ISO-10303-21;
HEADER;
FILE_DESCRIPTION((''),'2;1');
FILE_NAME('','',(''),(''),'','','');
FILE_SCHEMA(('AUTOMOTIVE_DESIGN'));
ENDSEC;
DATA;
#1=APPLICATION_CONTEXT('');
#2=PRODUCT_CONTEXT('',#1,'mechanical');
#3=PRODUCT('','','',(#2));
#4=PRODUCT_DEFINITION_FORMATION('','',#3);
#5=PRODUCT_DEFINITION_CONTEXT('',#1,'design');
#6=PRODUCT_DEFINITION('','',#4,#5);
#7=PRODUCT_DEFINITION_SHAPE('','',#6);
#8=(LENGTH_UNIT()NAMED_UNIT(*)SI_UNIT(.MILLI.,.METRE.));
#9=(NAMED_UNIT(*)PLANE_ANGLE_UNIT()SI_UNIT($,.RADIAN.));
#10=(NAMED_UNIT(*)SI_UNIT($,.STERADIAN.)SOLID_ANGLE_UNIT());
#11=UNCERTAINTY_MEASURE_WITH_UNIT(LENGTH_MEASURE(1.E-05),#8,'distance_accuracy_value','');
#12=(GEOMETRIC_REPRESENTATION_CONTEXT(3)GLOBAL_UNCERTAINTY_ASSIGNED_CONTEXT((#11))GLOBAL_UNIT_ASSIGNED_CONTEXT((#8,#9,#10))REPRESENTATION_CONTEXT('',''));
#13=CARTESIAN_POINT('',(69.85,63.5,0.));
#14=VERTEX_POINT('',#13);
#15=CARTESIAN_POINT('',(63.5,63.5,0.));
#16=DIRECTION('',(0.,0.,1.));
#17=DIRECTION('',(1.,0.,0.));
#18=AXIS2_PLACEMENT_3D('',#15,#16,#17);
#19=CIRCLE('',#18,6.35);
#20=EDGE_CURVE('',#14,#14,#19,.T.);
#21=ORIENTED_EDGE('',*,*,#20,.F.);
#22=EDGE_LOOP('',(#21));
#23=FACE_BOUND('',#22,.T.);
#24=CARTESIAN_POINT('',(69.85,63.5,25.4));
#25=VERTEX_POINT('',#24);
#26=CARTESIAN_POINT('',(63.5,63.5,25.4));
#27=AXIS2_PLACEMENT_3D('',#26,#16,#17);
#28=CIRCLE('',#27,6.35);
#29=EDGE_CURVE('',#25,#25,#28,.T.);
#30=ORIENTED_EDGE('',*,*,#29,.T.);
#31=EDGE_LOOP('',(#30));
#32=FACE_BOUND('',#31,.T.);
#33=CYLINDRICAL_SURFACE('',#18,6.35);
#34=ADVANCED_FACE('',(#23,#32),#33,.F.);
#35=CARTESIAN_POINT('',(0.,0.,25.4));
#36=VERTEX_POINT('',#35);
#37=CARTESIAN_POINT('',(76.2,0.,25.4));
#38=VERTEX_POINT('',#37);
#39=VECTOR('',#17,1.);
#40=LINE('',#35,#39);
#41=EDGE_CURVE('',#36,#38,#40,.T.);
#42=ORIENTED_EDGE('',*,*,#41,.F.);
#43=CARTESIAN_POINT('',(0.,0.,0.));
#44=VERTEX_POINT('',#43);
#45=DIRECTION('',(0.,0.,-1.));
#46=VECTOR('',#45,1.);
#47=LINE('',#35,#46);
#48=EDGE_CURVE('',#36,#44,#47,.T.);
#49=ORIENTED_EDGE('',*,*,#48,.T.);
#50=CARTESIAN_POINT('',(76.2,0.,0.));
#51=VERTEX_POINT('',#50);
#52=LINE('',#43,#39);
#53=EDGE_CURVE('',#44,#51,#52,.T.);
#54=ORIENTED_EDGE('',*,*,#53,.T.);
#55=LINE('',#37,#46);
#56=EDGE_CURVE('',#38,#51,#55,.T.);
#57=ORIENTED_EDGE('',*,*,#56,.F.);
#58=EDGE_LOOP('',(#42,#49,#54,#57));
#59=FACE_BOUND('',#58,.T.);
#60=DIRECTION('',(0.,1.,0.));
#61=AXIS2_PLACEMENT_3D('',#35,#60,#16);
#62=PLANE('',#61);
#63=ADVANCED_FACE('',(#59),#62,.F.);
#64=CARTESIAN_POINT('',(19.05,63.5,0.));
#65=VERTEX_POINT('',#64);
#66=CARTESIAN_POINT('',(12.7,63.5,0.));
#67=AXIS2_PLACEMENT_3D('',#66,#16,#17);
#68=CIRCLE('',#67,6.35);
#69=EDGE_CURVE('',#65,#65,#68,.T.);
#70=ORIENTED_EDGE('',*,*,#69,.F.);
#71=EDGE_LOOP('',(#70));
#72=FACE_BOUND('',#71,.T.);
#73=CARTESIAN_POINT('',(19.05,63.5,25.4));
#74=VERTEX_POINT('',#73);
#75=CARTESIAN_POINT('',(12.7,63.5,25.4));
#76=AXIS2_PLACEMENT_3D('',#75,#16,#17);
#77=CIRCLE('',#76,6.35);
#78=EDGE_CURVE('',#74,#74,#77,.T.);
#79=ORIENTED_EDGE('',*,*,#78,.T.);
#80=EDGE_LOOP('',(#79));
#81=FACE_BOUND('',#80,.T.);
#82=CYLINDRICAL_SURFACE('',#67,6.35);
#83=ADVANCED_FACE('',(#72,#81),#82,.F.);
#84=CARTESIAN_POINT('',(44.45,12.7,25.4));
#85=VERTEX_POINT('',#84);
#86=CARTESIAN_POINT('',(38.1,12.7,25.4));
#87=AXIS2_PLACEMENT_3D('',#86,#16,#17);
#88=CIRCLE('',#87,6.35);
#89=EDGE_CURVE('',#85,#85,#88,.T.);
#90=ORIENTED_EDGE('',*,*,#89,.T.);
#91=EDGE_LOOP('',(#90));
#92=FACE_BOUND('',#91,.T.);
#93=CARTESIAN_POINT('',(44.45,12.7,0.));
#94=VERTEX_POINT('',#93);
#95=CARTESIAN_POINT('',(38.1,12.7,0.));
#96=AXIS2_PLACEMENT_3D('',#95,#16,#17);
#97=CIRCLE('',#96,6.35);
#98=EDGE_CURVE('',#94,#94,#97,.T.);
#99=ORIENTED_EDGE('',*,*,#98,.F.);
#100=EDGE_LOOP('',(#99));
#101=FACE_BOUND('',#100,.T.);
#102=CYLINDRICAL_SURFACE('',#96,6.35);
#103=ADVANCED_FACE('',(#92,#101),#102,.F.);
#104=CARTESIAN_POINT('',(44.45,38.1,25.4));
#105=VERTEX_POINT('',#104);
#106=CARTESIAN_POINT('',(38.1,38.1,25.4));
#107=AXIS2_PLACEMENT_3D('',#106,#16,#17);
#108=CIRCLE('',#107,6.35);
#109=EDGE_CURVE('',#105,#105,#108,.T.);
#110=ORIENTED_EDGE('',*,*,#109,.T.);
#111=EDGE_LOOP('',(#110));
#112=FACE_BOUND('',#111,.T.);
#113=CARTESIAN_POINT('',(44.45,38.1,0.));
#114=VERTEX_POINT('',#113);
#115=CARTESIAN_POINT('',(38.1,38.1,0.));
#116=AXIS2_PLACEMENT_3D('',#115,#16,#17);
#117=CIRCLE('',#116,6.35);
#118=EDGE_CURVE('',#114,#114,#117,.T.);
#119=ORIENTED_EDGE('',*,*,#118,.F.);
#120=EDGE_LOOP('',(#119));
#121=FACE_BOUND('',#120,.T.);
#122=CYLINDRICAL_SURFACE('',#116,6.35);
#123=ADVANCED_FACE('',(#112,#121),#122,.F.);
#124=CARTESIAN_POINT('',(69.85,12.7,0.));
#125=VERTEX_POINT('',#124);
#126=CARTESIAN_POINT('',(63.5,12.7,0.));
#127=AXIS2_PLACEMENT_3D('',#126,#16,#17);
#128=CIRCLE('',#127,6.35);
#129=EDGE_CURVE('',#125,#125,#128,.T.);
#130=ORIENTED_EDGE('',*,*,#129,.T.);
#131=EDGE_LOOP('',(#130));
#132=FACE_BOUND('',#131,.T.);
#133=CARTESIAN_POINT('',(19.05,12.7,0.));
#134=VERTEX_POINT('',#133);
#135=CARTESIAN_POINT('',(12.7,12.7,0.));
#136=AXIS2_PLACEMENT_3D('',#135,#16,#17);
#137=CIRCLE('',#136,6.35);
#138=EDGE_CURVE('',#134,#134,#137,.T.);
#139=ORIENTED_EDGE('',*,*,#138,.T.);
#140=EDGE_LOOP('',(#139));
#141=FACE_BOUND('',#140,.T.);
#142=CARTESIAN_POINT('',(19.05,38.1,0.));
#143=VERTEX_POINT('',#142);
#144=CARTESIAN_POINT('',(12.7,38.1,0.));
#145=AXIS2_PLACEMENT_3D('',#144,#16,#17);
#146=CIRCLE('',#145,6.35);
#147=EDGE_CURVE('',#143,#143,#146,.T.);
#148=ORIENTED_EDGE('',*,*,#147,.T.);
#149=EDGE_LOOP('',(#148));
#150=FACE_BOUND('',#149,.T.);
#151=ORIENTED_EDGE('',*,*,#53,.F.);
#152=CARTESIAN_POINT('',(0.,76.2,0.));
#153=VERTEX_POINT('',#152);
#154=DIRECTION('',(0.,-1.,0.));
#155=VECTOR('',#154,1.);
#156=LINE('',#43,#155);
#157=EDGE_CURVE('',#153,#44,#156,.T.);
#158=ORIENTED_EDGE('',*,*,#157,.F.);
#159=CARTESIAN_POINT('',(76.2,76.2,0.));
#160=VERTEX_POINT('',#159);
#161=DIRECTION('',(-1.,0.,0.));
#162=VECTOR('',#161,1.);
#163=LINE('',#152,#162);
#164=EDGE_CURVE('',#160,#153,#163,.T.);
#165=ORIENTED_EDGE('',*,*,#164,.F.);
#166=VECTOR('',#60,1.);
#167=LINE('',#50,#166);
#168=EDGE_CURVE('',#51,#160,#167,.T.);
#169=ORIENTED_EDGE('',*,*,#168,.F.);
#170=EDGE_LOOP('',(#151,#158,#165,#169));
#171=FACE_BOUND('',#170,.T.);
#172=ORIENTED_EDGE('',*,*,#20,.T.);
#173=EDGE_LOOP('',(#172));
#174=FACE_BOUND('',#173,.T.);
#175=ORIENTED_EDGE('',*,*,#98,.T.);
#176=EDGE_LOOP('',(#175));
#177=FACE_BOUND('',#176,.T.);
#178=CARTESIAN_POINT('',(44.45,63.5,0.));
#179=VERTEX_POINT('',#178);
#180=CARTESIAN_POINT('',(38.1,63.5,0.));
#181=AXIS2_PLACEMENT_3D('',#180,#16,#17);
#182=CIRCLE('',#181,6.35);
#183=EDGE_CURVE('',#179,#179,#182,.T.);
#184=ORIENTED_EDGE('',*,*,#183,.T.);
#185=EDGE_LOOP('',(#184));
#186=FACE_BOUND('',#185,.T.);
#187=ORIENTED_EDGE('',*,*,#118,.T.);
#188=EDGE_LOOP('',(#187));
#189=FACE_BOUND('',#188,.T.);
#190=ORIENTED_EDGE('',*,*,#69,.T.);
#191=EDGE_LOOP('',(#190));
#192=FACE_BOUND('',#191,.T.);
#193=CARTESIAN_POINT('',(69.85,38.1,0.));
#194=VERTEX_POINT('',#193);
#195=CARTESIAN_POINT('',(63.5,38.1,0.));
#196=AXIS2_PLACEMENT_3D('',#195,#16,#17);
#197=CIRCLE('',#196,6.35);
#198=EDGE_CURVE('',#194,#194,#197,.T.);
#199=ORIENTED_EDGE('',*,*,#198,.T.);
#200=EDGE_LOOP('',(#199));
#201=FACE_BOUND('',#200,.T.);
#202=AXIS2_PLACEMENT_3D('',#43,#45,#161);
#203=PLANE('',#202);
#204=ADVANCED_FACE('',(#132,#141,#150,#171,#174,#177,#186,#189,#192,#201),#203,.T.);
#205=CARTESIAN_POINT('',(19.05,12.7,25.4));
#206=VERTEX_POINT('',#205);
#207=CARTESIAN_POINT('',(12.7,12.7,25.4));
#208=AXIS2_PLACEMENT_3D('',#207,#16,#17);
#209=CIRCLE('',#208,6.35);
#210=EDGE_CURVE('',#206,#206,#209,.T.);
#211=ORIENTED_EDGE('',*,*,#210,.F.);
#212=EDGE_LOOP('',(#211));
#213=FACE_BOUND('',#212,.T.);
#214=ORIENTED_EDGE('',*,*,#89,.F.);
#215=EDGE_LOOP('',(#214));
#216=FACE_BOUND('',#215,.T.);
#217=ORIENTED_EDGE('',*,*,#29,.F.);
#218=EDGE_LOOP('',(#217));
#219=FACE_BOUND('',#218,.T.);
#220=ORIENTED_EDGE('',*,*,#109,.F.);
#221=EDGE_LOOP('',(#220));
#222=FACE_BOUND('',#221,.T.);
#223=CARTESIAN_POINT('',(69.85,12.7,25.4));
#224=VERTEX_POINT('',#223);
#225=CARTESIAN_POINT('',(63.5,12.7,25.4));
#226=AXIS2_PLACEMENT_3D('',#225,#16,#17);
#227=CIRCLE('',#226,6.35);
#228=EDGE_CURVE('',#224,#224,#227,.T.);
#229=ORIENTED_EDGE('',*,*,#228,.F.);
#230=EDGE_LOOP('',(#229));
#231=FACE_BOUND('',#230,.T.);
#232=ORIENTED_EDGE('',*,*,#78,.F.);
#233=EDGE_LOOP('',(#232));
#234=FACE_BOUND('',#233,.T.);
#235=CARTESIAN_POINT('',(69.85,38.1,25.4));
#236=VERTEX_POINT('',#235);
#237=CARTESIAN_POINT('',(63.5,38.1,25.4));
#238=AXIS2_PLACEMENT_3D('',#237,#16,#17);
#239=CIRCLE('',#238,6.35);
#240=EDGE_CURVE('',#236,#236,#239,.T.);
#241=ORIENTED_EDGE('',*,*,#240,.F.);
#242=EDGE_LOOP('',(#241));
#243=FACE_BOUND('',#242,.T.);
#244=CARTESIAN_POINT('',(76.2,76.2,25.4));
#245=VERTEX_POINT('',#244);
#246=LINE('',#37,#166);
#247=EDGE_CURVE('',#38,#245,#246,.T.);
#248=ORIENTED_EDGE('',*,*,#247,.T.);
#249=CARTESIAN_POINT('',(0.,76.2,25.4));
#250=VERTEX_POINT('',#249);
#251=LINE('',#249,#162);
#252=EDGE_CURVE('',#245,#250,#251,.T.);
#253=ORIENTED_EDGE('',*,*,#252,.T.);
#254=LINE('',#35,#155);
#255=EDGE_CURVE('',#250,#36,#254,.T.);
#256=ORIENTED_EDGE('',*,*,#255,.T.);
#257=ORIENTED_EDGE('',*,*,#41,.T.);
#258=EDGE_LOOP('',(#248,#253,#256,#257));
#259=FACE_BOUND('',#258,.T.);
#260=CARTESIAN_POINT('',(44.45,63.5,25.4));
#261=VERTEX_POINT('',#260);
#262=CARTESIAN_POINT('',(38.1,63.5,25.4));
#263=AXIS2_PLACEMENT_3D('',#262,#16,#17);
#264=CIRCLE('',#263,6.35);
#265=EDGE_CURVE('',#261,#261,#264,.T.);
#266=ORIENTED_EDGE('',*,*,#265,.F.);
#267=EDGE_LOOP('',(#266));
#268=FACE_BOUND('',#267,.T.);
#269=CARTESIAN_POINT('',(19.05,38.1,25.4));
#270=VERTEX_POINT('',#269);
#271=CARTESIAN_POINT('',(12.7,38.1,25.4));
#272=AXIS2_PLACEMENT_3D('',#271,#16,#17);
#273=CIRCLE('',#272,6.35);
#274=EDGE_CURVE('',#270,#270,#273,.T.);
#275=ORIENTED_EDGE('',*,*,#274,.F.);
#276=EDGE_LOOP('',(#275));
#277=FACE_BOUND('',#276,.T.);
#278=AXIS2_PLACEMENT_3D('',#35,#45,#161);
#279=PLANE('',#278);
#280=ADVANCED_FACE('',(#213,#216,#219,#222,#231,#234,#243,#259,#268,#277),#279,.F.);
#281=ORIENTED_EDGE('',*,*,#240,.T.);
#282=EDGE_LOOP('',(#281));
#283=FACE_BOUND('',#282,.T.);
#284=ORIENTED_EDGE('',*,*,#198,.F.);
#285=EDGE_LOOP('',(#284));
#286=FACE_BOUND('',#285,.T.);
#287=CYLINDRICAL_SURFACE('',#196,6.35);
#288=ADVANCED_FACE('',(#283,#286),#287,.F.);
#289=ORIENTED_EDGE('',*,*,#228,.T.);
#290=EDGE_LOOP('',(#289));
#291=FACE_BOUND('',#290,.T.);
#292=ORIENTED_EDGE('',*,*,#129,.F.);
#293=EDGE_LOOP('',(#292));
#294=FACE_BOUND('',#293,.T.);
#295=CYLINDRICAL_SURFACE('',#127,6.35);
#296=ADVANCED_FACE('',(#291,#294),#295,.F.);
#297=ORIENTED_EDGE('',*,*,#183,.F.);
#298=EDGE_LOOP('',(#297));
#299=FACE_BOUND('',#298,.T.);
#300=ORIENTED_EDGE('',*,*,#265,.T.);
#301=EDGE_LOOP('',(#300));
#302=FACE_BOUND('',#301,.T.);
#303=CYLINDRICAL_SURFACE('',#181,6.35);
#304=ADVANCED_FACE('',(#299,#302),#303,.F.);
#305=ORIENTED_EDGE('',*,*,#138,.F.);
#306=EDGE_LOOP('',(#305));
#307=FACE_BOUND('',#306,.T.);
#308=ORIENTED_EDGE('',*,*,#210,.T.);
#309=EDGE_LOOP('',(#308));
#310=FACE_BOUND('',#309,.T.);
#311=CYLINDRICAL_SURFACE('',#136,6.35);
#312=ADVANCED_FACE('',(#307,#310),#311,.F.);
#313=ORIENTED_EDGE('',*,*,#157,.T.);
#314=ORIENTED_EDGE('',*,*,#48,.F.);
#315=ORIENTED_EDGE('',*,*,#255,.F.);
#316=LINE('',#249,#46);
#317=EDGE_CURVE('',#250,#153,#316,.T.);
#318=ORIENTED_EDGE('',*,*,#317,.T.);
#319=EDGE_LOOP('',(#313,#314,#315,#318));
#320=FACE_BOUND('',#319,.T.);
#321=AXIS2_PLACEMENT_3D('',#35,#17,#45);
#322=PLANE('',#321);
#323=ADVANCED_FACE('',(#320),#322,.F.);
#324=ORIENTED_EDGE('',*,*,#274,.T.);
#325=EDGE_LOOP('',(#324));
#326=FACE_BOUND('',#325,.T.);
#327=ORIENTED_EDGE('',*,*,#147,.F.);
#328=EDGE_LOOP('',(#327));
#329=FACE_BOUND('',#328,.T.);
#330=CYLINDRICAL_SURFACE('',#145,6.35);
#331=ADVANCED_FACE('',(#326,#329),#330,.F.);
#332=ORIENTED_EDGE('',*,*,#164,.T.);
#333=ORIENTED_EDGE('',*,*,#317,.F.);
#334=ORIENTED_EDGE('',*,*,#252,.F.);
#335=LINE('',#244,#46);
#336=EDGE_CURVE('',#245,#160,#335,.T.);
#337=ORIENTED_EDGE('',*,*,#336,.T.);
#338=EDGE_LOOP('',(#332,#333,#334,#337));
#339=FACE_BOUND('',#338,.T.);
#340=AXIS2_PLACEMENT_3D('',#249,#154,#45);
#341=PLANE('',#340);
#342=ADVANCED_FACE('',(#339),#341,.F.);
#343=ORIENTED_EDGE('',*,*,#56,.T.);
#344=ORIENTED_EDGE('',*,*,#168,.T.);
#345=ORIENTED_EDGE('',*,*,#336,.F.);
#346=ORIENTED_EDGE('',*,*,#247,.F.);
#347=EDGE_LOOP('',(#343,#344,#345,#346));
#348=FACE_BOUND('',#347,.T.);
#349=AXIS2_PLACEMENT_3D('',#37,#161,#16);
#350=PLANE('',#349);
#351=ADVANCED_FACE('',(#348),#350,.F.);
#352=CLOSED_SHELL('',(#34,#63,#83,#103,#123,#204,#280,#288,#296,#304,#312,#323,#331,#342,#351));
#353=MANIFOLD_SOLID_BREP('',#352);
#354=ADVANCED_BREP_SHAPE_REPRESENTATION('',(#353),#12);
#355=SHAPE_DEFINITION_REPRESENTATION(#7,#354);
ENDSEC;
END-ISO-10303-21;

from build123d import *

# Parameters (mm, degrees)
SKETCH2_W            = 76.2
SKETCH2_H            = 76.2
BOSS_EXTRUDE1_DEPTH  = 25.4
SKETCH3_R            = 6.35
CUT_EXTRUDE1_DEPTH   = 111.716033166
LPATTERN1_COUNT      = 3
LPATTERN1_PITCH      = 25.4
LPATTERN1_COUNT_DIR2 = 3
LPATTERN1_PITCH_DIR2 = 25.4


with BuildPart() as part:
    # Sketch2 → Boss-Extrude1 (new body)
    with BuildSketch(Plane.XY):
        with Locations((38.1, 38.1)):
            Rectangle(SKETCH2_W, SKETCH2_H)
    extrude(amount=BOSS_EXTRUDE1_DEPTH)

    # Sketch3 → Cut-Extrude1 (cut, through all)
    with BuildSketch(Plane.XY.offset(25.4)):
        with Locations((12.7, 12.7)):
            Circle(SKETCH3_R)
    cut_extrude1 = extrude(amount=-CUT_EXTRUDE1_DEPTH, mode=Mode.SUBTRACT)

    # LPattern1: Cut-Extrude1 3 × 3
    with Locations(*[(j * LPATTERN1_PITCH_DIR2, i * LPATTERN1_PITCH, 0) for i in range(LPATTERN1_COUNT) for j in range(LPATTERN1_COUNT_DIR2) if (i, j) != (0, 0)]):
        add(cut_extrude1, mode=Mode.SUBTRACT)


solid = part.part
